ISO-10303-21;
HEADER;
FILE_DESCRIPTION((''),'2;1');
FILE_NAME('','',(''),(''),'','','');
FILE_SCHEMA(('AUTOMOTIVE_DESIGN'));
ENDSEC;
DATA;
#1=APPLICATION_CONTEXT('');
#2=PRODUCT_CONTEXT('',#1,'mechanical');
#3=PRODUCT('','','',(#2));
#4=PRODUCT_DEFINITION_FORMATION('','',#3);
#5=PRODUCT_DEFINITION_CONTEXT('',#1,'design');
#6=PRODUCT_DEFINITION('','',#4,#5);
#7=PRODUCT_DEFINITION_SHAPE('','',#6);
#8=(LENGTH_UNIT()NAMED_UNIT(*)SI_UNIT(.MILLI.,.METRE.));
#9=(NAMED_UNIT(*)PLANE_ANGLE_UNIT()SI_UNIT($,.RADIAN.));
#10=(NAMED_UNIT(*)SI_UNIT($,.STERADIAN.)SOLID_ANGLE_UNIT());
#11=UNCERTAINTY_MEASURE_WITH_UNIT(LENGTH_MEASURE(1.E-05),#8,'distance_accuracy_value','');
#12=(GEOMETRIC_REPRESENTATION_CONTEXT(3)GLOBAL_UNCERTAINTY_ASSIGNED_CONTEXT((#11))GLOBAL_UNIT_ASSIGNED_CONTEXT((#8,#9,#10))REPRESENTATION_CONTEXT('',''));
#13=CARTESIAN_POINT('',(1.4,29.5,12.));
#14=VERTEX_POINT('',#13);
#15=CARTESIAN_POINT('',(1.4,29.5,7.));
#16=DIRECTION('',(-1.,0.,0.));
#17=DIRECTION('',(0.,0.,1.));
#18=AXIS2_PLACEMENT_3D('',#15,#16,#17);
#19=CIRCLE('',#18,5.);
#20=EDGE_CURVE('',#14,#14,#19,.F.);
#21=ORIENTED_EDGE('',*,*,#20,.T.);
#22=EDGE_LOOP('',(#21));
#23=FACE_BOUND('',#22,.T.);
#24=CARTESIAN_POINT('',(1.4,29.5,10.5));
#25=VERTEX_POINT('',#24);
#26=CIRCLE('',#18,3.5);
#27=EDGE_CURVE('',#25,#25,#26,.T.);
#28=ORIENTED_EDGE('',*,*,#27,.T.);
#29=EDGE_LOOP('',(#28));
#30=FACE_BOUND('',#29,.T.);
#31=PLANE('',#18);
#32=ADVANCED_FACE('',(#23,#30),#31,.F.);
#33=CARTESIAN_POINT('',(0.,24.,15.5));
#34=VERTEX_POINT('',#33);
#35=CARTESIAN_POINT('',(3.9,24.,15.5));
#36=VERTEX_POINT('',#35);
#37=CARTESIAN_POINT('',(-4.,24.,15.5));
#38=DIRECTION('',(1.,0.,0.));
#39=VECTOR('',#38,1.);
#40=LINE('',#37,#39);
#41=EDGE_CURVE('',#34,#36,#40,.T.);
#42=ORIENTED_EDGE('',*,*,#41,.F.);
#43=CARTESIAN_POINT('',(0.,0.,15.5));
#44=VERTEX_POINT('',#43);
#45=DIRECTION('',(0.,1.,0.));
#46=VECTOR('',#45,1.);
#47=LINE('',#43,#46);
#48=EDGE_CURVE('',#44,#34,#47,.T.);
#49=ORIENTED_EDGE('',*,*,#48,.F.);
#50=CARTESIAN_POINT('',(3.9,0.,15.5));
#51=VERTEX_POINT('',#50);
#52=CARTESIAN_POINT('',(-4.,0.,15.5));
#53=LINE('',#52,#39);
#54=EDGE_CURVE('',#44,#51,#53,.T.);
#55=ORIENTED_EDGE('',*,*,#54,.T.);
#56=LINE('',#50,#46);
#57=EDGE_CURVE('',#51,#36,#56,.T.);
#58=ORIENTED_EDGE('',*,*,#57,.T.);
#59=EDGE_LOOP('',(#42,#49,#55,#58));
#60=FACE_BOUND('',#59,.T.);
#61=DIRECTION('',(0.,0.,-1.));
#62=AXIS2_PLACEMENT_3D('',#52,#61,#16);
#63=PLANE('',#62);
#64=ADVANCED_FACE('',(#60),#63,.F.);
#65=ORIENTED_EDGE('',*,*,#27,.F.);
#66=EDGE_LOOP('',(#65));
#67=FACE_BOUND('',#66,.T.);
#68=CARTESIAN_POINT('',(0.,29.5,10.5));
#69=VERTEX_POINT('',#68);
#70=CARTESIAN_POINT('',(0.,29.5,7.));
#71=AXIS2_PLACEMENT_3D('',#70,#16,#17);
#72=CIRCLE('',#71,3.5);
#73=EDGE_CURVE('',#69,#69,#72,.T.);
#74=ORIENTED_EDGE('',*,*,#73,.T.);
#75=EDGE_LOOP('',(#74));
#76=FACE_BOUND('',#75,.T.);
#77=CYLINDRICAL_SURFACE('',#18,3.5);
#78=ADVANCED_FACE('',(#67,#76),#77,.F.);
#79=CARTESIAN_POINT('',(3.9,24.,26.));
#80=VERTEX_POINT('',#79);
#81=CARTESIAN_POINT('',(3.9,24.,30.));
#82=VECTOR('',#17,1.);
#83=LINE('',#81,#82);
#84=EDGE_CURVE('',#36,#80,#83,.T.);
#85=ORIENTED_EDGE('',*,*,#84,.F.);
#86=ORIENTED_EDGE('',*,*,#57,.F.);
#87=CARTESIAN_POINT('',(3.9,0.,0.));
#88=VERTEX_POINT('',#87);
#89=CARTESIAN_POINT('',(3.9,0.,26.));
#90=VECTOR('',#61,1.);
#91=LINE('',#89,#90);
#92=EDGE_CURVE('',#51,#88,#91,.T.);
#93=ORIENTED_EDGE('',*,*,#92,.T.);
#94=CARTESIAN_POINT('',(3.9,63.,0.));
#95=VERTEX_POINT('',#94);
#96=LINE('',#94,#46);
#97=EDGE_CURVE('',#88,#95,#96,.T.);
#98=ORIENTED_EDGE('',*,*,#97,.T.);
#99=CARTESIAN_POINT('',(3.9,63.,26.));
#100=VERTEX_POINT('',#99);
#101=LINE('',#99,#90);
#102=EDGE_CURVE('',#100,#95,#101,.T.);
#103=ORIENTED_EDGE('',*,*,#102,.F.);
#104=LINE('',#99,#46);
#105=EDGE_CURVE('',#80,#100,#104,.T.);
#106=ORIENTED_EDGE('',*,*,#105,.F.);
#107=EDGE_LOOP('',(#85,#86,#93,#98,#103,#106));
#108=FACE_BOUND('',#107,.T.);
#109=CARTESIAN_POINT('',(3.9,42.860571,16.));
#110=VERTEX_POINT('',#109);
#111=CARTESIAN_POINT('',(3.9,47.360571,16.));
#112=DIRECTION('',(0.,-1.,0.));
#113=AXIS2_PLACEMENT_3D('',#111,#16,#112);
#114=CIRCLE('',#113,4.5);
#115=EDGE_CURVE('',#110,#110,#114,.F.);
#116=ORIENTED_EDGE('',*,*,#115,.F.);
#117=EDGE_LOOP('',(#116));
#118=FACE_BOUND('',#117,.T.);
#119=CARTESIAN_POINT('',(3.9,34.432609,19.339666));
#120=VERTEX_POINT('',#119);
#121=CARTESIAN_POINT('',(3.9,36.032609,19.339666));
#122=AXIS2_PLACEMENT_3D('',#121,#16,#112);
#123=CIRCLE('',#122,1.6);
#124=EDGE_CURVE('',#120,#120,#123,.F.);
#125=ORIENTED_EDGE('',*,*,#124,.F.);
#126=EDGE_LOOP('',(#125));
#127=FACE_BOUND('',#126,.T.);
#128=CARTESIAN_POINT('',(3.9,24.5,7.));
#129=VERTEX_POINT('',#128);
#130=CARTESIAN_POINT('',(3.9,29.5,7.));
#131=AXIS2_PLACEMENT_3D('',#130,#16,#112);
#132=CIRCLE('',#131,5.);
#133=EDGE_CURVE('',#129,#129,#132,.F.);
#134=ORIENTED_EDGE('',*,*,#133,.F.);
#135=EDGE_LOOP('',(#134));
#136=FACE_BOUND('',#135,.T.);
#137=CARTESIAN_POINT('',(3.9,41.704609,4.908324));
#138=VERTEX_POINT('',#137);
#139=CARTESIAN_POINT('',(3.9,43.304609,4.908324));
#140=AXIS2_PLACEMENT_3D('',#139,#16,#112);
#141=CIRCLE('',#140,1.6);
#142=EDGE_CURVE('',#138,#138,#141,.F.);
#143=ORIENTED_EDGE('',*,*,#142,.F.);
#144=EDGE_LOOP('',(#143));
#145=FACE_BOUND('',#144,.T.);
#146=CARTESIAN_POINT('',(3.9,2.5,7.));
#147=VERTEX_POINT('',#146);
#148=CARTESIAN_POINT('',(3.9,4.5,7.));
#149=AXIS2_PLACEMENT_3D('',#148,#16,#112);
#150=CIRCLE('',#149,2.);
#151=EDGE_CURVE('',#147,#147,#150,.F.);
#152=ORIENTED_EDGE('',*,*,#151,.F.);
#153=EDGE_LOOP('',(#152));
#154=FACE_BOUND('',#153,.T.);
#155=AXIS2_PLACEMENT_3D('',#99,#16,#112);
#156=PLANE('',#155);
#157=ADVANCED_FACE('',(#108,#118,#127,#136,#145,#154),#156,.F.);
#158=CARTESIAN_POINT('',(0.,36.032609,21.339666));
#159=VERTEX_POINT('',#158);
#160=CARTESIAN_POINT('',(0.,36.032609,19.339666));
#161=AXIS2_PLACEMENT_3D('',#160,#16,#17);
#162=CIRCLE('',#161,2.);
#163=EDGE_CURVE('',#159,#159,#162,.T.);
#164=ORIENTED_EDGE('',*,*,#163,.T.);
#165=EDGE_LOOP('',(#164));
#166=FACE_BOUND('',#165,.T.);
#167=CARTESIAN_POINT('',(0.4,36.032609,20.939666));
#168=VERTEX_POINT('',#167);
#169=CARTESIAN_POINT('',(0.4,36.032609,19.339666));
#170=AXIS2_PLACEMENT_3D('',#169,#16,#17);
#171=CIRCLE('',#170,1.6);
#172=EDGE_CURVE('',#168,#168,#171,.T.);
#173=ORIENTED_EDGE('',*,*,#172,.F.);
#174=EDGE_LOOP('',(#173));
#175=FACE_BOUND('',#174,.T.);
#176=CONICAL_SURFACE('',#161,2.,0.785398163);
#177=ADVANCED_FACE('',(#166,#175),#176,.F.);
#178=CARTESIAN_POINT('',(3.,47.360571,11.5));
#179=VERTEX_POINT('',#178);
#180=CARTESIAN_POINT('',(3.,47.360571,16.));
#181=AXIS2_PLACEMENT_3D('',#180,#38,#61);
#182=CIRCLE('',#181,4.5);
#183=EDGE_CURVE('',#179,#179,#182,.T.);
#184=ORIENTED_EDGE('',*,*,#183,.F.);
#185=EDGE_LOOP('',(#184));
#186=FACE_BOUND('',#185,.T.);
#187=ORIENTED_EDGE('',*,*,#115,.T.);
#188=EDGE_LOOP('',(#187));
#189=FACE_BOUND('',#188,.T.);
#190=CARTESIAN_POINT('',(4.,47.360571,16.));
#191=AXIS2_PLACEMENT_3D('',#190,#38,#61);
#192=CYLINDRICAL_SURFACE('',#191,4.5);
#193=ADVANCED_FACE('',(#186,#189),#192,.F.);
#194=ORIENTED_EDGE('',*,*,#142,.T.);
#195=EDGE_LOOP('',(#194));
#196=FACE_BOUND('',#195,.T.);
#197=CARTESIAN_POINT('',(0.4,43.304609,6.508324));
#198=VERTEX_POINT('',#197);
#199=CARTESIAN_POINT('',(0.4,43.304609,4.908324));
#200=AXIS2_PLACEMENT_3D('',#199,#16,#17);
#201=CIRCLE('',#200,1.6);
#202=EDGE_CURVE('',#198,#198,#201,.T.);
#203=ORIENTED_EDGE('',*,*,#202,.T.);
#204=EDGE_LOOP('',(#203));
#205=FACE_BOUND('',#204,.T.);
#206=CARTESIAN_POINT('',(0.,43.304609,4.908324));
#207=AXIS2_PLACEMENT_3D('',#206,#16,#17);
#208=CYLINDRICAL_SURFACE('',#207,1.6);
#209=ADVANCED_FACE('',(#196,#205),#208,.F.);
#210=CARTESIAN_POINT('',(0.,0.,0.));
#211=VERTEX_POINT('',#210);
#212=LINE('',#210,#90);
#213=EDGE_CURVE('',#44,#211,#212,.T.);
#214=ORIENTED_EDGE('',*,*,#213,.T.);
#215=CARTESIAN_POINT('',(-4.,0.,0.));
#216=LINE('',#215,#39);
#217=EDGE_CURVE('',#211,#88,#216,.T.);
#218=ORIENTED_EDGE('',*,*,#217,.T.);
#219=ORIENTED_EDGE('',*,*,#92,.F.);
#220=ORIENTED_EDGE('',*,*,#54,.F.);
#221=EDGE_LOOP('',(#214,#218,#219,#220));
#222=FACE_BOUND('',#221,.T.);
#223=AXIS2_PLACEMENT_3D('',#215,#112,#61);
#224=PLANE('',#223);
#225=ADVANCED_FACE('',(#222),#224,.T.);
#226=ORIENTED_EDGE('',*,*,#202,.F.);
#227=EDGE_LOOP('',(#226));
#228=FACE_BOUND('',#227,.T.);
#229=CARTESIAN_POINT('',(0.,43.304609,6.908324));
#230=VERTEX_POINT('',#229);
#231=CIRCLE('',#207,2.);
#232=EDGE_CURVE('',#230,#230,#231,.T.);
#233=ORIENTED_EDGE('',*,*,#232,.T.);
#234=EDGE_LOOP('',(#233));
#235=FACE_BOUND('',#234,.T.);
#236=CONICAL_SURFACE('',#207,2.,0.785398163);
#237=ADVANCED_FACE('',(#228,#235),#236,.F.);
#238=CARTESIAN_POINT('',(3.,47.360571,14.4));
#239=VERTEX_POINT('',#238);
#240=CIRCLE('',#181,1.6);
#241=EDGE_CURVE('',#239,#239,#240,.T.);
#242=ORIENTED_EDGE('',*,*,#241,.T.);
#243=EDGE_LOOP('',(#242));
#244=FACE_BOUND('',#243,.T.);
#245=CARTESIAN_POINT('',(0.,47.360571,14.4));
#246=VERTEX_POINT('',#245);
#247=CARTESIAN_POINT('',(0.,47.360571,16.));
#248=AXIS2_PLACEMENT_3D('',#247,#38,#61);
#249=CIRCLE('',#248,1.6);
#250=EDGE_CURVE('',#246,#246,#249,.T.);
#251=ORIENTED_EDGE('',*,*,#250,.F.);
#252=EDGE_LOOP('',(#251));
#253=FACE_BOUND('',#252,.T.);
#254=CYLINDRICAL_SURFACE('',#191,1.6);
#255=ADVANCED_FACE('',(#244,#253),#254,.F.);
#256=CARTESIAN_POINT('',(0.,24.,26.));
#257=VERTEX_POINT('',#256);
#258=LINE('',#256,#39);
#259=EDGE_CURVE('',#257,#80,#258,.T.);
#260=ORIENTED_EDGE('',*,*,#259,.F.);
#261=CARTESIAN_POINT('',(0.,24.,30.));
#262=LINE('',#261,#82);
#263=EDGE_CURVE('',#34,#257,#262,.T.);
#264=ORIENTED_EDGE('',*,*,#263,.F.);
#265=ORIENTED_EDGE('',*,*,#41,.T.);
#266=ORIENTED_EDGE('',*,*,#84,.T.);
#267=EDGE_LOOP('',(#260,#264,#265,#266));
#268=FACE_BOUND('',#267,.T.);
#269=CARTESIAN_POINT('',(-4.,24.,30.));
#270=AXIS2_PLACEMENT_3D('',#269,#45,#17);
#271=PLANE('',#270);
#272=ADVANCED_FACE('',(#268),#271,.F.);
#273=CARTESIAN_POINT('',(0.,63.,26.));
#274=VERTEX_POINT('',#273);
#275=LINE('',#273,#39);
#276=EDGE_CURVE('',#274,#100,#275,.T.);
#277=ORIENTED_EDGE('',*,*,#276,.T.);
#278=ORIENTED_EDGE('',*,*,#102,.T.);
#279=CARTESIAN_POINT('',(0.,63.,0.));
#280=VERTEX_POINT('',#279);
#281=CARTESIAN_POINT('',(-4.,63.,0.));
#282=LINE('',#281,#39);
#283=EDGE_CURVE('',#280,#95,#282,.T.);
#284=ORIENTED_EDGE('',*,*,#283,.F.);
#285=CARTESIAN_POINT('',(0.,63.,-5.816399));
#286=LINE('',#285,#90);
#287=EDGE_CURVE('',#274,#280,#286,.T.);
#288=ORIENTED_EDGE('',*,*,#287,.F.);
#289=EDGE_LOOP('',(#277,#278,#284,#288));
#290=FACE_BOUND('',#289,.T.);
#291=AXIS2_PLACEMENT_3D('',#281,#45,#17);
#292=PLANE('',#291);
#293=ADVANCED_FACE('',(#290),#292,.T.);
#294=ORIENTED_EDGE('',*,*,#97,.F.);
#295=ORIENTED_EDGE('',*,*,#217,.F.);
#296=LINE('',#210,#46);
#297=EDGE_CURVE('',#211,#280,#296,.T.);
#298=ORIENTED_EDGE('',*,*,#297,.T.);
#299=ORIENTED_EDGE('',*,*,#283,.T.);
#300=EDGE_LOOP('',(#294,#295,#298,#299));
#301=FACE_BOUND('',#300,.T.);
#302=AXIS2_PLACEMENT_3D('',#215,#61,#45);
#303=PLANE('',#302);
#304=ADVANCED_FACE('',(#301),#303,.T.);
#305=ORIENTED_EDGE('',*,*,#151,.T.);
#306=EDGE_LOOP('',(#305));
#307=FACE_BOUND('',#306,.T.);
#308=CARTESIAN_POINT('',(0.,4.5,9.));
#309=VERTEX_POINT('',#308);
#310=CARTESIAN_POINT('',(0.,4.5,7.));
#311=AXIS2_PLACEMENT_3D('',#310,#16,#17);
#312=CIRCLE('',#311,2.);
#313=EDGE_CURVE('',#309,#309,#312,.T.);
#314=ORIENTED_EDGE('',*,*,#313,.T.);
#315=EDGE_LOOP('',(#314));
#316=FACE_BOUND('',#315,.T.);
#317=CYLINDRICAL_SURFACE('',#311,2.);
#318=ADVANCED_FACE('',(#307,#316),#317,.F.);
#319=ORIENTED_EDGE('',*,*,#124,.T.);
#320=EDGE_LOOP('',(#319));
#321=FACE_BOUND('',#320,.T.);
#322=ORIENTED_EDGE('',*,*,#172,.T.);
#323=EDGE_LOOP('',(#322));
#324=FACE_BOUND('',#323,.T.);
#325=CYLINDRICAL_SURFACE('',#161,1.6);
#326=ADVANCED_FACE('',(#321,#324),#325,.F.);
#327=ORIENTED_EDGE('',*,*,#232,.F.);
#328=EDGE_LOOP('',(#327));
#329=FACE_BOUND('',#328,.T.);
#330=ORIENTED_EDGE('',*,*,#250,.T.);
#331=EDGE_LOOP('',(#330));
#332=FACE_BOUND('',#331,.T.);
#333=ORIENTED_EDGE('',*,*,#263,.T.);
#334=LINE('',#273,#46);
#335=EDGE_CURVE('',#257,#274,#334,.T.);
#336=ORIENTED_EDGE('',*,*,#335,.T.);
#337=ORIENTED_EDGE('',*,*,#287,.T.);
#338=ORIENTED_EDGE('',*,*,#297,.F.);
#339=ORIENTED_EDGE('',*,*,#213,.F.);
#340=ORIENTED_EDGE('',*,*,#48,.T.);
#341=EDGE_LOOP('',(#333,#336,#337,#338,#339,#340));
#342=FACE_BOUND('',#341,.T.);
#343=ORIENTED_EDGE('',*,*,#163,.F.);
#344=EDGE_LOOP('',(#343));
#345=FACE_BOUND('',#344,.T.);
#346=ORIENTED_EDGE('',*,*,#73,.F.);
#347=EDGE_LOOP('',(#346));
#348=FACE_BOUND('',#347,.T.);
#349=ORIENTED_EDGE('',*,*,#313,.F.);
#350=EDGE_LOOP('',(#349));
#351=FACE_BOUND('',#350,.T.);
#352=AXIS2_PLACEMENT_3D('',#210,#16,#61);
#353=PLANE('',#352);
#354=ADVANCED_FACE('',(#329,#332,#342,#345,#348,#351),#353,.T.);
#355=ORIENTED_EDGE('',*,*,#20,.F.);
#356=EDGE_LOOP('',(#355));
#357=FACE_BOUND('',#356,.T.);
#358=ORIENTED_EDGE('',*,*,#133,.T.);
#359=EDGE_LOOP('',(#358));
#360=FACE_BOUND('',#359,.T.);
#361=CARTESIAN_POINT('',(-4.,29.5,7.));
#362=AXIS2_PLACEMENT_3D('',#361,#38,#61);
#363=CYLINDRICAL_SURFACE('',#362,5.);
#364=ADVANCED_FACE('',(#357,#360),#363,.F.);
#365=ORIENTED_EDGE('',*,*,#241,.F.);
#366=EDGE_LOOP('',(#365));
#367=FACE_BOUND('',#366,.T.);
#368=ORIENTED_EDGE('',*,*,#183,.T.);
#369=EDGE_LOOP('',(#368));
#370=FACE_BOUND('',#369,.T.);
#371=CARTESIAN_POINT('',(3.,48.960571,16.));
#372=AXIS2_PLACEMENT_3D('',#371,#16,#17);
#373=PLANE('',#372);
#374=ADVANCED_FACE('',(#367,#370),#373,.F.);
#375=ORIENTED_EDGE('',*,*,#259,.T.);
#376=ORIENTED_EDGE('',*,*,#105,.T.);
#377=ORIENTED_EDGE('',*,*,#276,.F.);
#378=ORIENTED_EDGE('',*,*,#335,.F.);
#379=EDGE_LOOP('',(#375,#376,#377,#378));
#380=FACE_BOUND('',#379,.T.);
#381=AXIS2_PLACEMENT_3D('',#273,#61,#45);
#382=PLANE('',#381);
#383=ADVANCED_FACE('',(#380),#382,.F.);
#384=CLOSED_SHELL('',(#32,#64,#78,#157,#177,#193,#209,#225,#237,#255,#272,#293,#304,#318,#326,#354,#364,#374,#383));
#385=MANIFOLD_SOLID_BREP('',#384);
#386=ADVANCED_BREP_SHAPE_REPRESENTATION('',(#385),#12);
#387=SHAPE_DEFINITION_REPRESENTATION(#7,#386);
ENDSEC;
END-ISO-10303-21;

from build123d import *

# Parameters (mm, degrees)
SKETCH1_W                                        = 30
SKETCH1_H                                        = 63
BOSS_EXTRUDE1_DEPTH                              = 4
SKETCH2_R                                        = 5
CUT_EXTRUDE1_DEPTH                               = 70.89277502
F_4_0_4_DIAMETER_HOLE1_D                         = 4
SKETCH12_W                                       = 14.5
SKETCH12_H                                       = 24
CUT_EXTRUDE2_DEPTH                               = 70.89277502
SKETCH13_W                                       = 42.673617324
SKETCH13_H                                       = 65.779819875
CUT_EXTRUDE5_DEPTH                               = 4
F_4_0_4_DIAMETER_HOLE6_D                         = 4
CBORE_FOR_M3_PAN_HEAD_MACHINE_SCREW7_D           = 3.2
CBORE_FOR_M3_PAN_HEAD_MACHINE_SCREW7_CBORE_D     = 9
CBORE_FOR_M3_PAN_HEAD_MACHINE_SCREW7_CBORE_DEPTH = 1
CSK_FOR_M3_FLAT_HEAD_MACHINE_SCREW1_D            = 3.2
CSK_FOR_M3_FLAT_HEAD_MACHINE_SCREW1_CSINK_D      = 4
CSK_FOR_M3_FLAT_HEAD_MACHINE_SCREW1_CSINK_ANGLE  = 90
CUT_EXTRUDE6_DEPTH                               = 70.89277502
CUT_EXTRUDE6_DEPTH_BACK                          = 70.89277502
SKETCH45_W                                       = 4
SKETCH45_H                                       = 39
SKETCH46_W                                       = 0.1
SKETCH46_H                                       = 63
CUT_EXTRUDE7_DEPTH                               = 69.271516755
BOSS_EXTRUDE2_START                              = -1.4
SKETCH47_R                                       = 5
SKETCH47_R_2                                     = 3.5
BOSS_EXTRUDE2_DEPTH                              = 1.4


with BuildPart() as part:
    # Sketch1 → Boss-Extrude1 (new body)
    with BuildSketch(Plane(origin=(0, 0, 0), x_dir=(0, 0, -1), z_dir=(1, 0, 0))):
        with Locations((-15, 31.5)):
            Rectangle(SKETCH1_W, SKETCH1_H)
    boss_extrude1 = extrude(amount=-BOSS_EXTRUDE1_DEPTH)

    # Sketch2 → Cut-Extrude1 (cut, through all)
    with BuildSketch(Plane(origin=(0, 0, 0), x_dir=(0, 0, -1), z_dir=(1, 0, 0))):
        with Locations((-7, 29.5)):
            Circle(SKETCH2_R)
    cut_extrude1 = extrude(amount=-CUT_EXTRUDE1_DEPTH, mode=Mode.SUBTRACT)

    # Ø4.0 (4) Diameter Hole1 (through all)
    with Locations(Plane(origin=(0, 4.5, 7), x_dir=(0, 0, 1), z_dir=(1, 0, 0))):
        with Locations((0, 0)):
            Hole(F_4_0_4_DIAMETER_HOLE1_D / 2)

    # Sketch12 → Cut-Extrude2 (cut, through all)
    with BuildSketch(Plane(origin=(0, 0, 0), x_dir=(0, 0, -1), z_dir=(1, 0, 0))):
        with Locations((-22.75, 12)):
            Rectangle(SKETCH12_W, SKETCH12_H)
    cut_extrude2 = extrude(amount=-CUT_EXTRUDE2_DEPTH, mode=Mode.SUBTRACT)

    # Mirror7: Boss-Extrude1, Cut-Extrude1, Cut-Extrude2 across plane
    add(boss_extrude1.mirror(Plane(origin=(0, 0, 0), x_dir=(0, 0, 1), z_dir=(1, 0, 0))))
    add(cut_extrude1.mirror(Plane(origin=(0, 0, 0), x_dir=(0, 0, 1), z_dir=(1, 0, 0))), mode=Mode.SUBTRACT)
    add(cut_extrude2.mirror(Plane(origin=(0, 0, 0), x_dir=(0, 0, 1), z_dir=(1, 0, 0))), mode=Mode.SUBTRACT)

    # Sketch13 → Cut-Extrude5 (cut)
    with BuildSketch(Plane.ZY.offset(4)):
        with Locations((15.520409967, 30.110090063)):
            Rectangle(SKETCH13_W, SKETCH13_H)
    extrude(amount=-CUT_EXTRUDE5_DEPTH, mode=Mode.SUBTRACT)

    # Ø4.0 (4) Diameter Hole6 (through all)
    with Locations(Plane(origin=(0, 4.5, 7), x_dir=(0, 0, -1), z_dir=(-1, 0, 0))):
        with Locations((0, 0)):
            Hole(F_4_0_4_DIAMETER_HOLE6_D / 2)

    # CBORE for M3 Pan Head Machine Screw7 (through all)
    with Locations(Plane(origin=(4, 47.360571099, 16), x_dir=(0, 0, 1), z_dir=(1, 0, 0))):
        with Locations((0, 0)):
            CounterBoreHole(CBORE_FOR_M3_PAN_HEAD_MACHINE_SCREW7_D / 2, CBORE_FOR_M3_PAN_HEAD_MACHINE_SCREW7_CBORE_D / 2, CBORE_FOR_M3_PAN_HEAD_MACHINE_SCREW7_CBORE_DEPTH)

    # CSK for M3 Flat Head Machine Screw1 (through all)
    with Locations(Plane(origin=(0, 36.032608687, 19.33966579), x_dir=(0, 0, -1), z_dir=(-1, 0, 0))):
        with Locations((0, 0), (14.431341448, -7.272)):
            CounterSinkHole(CSK_FOR_M3_FLAT_HEAD_MACHINE_SCREW1_D / 2, CSK_FOR_M3_FLAT_HEAD_MACHINE_SCREW1_CSINK_D / 2, counter_sink_angle=CSK_FOR_M3_FLAT_HEAD_MACHINE_SCREW1_CSINK_ANGLE)

    # Sketch45 → Cut-Extrude6 (cut, two sides: drawn at the far end of the back side and taken through both)
    with BuildSketch(Plane(origin=(4, 0, 0), x_dir=(0, 0, -1), z_dir=(1, 0, 0)).offset(-CUT_EXTRUDE6_DEPTH_BACK)):
        with Locations((-28, 43.5)):
            Rectangle(SKETCH45_W, SKETCH45_H)
    extrude(amount=CUT_EXTRUDE6_DEPTH + CUT_EXTRUDE6_DEPTH_BACK, mode=Mode.SUBTRACT)

    # Sketch46 → Cut-Extrude7 (cut, through all)
    with BuildSketch(Plane(origin=(0, 0, 0), x_dir=(-1, 0, 0), z_dir=(0, 0, -1))):
        with Locations((-3.95, 31.5)):
            Rectangle(SKETCH46_W, SKETCH46_H)
    extrude(amount=-CUT_EXTRUDE7_DEPTH, mode=Mode.SUBTRACT)

    # Sketch47 → Boss-Extrude2 (add)
    with BuildSketch(Plane.ZY.offset(BOSS_EXTRUDE2_START)):
        with Locations(Location((7, 29.5, 0), (0, 0, 270))):
            Circle(SKETCH47_R)
        with Locations((7, 29.5)):
            Circle(SKETCH47_R_2, mode=Mode.SUBTRACT)
    extrude(amount=BOSS_EXTRUDE2_DEPTH)


solid = part.part
